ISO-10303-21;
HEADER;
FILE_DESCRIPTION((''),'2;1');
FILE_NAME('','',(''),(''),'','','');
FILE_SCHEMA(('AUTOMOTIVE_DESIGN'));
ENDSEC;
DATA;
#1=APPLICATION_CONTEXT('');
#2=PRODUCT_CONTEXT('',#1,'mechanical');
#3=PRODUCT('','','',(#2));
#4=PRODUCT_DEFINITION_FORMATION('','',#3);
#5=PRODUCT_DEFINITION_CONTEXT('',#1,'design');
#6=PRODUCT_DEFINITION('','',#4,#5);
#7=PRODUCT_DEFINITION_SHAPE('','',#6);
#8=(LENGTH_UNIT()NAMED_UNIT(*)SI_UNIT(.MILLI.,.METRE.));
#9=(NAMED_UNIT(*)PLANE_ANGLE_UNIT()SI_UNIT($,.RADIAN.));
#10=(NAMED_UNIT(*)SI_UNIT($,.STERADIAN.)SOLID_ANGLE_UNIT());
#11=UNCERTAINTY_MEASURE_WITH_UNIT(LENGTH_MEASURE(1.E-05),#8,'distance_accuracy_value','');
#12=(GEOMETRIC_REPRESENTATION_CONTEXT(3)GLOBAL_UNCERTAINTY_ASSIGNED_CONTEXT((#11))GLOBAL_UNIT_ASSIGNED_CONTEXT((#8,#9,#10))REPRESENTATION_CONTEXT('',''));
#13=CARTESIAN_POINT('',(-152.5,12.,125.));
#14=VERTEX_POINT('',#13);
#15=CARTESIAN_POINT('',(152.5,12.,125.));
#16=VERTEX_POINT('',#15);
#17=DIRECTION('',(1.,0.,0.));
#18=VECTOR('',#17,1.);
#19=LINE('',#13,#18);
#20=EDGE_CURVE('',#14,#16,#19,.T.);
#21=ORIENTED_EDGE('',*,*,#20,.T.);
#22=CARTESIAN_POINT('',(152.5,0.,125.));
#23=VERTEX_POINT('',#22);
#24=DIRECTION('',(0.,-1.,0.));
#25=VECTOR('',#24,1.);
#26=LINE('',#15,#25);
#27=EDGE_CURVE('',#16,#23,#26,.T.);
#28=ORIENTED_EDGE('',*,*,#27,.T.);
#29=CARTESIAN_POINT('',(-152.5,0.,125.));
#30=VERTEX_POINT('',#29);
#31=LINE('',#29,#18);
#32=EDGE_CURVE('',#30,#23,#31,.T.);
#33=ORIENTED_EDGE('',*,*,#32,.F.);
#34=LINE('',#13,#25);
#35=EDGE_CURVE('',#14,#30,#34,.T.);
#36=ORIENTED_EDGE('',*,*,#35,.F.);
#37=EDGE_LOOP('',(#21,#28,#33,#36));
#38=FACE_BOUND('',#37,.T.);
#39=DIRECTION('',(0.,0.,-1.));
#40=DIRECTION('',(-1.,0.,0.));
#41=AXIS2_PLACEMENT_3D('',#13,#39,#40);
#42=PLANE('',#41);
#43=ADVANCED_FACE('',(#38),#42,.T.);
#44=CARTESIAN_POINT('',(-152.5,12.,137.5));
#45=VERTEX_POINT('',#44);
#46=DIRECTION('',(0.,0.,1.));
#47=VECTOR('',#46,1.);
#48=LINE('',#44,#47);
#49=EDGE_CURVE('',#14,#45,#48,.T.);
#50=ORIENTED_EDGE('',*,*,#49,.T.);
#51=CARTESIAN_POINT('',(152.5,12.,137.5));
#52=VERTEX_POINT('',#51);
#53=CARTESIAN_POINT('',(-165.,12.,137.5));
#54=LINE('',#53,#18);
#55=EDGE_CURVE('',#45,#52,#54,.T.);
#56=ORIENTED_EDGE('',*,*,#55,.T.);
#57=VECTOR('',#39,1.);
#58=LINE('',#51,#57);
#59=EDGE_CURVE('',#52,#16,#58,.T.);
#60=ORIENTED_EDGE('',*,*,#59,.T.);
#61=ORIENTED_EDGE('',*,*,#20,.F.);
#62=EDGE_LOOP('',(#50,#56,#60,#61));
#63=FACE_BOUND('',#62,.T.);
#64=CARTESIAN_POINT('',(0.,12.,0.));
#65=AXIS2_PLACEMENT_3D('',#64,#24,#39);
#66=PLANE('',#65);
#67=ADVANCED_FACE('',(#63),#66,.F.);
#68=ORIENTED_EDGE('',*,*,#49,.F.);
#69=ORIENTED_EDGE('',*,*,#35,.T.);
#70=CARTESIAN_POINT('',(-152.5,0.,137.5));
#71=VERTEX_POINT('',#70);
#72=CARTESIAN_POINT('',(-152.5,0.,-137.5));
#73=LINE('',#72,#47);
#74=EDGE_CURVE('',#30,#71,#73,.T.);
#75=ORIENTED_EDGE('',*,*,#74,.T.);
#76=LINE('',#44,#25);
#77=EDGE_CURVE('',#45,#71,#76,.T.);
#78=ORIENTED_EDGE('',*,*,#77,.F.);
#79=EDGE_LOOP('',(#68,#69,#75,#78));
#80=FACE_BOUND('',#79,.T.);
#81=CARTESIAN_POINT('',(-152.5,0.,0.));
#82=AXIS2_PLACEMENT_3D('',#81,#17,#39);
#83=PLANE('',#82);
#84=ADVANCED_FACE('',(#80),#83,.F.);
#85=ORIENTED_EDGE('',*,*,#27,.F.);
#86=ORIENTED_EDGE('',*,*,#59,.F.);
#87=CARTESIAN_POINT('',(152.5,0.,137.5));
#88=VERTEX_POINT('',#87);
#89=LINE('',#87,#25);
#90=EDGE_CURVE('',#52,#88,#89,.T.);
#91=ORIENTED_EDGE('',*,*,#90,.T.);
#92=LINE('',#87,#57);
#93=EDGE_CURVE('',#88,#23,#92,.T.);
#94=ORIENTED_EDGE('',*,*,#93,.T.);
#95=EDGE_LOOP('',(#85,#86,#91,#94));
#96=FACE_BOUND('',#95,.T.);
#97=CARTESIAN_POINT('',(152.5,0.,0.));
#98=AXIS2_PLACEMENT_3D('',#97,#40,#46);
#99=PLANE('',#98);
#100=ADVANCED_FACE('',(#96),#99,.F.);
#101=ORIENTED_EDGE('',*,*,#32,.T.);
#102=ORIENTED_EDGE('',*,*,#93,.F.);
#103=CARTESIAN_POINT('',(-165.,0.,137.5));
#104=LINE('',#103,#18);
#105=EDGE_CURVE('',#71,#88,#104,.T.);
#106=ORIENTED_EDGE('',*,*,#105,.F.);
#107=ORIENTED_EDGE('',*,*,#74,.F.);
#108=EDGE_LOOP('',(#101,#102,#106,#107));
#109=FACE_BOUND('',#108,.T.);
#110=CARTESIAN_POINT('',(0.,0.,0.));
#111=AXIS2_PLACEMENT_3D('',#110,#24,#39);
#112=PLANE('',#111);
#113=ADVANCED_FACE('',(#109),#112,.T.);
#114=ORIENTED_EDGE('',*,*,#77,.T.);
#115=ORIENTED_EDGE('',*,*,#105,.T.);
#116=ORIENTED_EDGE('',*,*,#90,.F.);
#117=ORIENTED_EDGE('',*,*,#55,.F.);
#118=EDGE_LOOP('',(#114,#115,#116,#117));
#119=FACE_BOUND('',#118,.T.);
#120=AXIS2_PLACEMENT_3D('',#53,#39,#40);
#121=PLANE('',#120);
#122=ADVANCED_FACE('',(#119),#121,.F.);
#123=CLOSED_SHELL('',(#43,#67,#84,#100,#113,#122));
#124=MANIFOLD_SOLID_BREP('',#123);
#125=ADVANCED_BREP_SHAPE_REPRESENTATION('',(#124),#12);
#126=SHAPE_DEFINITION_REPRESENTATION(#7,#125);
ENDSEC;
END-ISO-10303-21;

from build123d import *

# Parameters (mm, degrees)
SKETCH1_W            = 330
SKETCH1_H            = 275
SKETCH1_W_2          = 305
SKETCH1_H_2          = 250
BOSS_EXTRUDE4_DEPTH  = 12
BOSS_EXTRUDE6_DEPTH  = 12.5
BOSS_EXTRUDE7_DEPTH  = 12.5
SKETCH6_R            = 15
SKETCH6_R_2          = 11
BOSS_EXTRUDE8_DEPTH  = 12.5
SKETCH7_R            = 11
CUT_EXTRUDE2_DEPTH   = 383.003996993
BOSS_EXTRUDE9_REACH  = 283.371
SKETCH8_W            = 12.5
SKETCH8_H            = 10
BOSS_EXTRUDE10_REACH = 283.371
SKETCH9_W            = 12.5
SKETCH9_H            = 10
SKETCH10_W           = 25
SKETCH10_H           = 25
BOSS_EXTRUDE11_DEPTH = 12.5
SKETCH13_W           = 298.504377872
SKETCH13_H           = 174.029548168
CUT_EXTRUDE4_DEPTH   = 12.5
SKETCH14_W           = 182.395956461
SKETCH14_H           = 93.31192128
CUT_EXTRUDE5_DEPTH   = 71.5
SKETCH15_W           = 335.295700941
SKETCH15_H           = 100.118716731
CUT_EXTRUDE6_DEPTH   = 12.5
SKETCH16_W           = 69.396880986
SKETCH16_H           = 36.294815257
CUT_EXTRUDE7_DEPTH   = 362.5


with BuildPart() as part:
    # Sketch1 → Boss-Extrude4 (new body)
    with BuildSketch(Plane(origin=(0, 0, 0), x_dir=(1, 0, 0), z_dir=(0, 1, 0))):
        Rectangle(SKETCH1_W, SKETCH1_H)
        Rectangle(SKETCH1_W_2, SKETCH1_H_2, mode=Mode.SUBTRACT)
    extrude(amount=BOSS_EXTRUDE4_DEPTH)

    # Sketch2 → Boss-Extrude6 (add)
    with BuildSketch(Plane(origin=(165, 0, 0), x_dir=(0, 0, -1), z_dir=(1, 0, 0))):
        Polygon((0, 152), (-137.5, 12), (-127.5, 12), (0, 141.818181818), (127.5, 12), (137.5, 12), align=None)
    extrude(amount=-BOSS_EXTRUDE6_DEPTH)

    # Sketch5 → Boss-Extrude7 (add)
    with BuildSketch(Plane.ZY.offset(165)):
        Polygon((0, 152), (-137.5, 12), (-127.5, 12), (0, 141.818181818), (127.5, 12), (137.5, 12), align=None)
    extrude(amount=-BOSS_EXTRUDE7_DEPTH)

    # Sketch6 → Boss-Extrude8 (add)
    with BuildSketch(Plane.ZY.offset(-152.5)):
        with Locations((0, 146.909090909)):
            Circle(SKETCH6_R)
        with Locations((0, 146.909090909)):
            Circle(SKETCH6_R_2, mode=Mode.SUBTRACT)
    extrude(amount=-BOSS_EXTRUDE8_DEPTH)

    # Sketch7 → Cut-Extrude2 (cut, through all)
    with BuildSketch(Plane.ZY.offset(-152.5)):
        with Locations((0, 146.909090909)):
            Circle(SKETCH7_R)
    extrude(amount=-CUT_EXTRUDE2_DEPTH, mode=Mode.SUBTRACT)

    # Boss-Extrude9: up to this plane
    boss_extrude9_end = Plane(origin=(0, 12, 0), z_dir=(0, -1, 0))
    # Sketch8 → Boss-Extrude9 (add, up to the surface)
    with BuildSketch(Plane(origin=(0, 69.631553319, 70.897581561), x_dir=(-1, 0, 0), z_dir=(0, -0.7007080148842544, -0.7134481606094221)), mode=Mode.PRIVATE) as boss_extrude9_sk1:
        with Locations((-158.75, 10.200513494)):
            Rectangle(SKETCH8_W, SKETCH8_H)
    boss_extrude9_tool1 = split(extrude(boss_extrude9_sk1.sketch, amount=BOSS_EXTRUDE9_REACH, mode=Mode.PRIVATE), bisect_by=boss_extrude9_end, keep=Keep.BOTH, mode=Mode.PRIVATE)
    add(boss_extrude9_tool1.solids().sort_by_distance((158.75, 76.909091, 63.75))[0])
    # Sketch8 → Boss-Extrude9 (add, up to the surface)
    with BuildSketch(Plane(origin=(0, 69.631553319, 70.897581561), x_dir=(-1, 0, 0), z_dir=(0, -0.7007080148842544, -0.7134481606094221)), mode=Mode.PRIVATE) as boss_extrude9_sk2:
        with Locations((158.75, 10.200513494)):
            Rectangle(SKETCH8_W, SKETCH8_H)
    boss_extrude9_tool2 = split(extrude(boss_extrude9_sk2.sketch, amount=BOSS_EXTRUDE9_REACH, mode=Mode.PRIVATE), bisect_by=boss_extrude9_end, keep=Keep.BOTH, mode=Mode.PRIVATE)
    add(boss_extrude9_tool2.solids().sort_by_distance((-158.75, 76.909091, 63.75))[0])

    # Boss-Extrude10: up to this plane
    boss_extrude10_end = Plane(origin=(0, 12, 0), z_dir=(0, -1, 0))
    # Sketch9 → Boss-Extrude10 (add, up to the surface)
    with BuildSketch(Plane(origin=(0, 69.631553319, -70.897581561), x_dir=(1, 0, 0), z_dir=(0, -0.7007080148842544, 0.7134481606094221)), mode=Mode.PRIVATE) as boss_extrude10_sk1:
        with Locations((-158.75, 10.200513494)):
            Rectangle(SKETCH9_W, SKETCH9_H)
    boss_extrude10_tool1 = split(extrude(boss_extrude10_sk1.sketch, amount=BOSS_EXTRUDE10_REACH, mode=Mode.PRIVATE), bisect_by=boss_extrude10_end, keep=Keep.BOTH, mode=Mode.PRIVATE)
    add(boss_extrude10_tool1.solids().sort_by_distance((-158.75, 76.909091, -63.75))[0])
    # Sketch9 → Boss-Extrude10 (add, up to the surface)
    with BuildSketch(Plane(origin=(0, 69.631553319, -70.897581561), x_dir=(1, 0, 0), z_dir=(0, -0.7007080148842544, 0.7134481606094221)), mode=Mode.PRIVATE) as boss_extrude10_sk2:
        with Locations((158.75, 10.200513494)):
            Rectangle(SKETCH9_W, SKETCH9_H)
    boss_extrude10_tool2 = split(extrude(boss_extrude10_sk2.sketch, amount=BOSS_EXTRUDE10_REACH, mode=Mode.PRIVATE), bisect_by=boss_extrude10_end, keep=Keep.BOTH, mode=Mode.PRIVATE)
    add(boss_extrude10_tool2.solids().sort_by_distance((158.75, 76.909091, -63.75))[0])

    # Sketch10 → Boss-Extrude11 (add)
    with BuildSketch(Plane(origin=(-152.5, 0, 0), x_dir=(0, 0, -1), z_dir=(1, 0, 0))):
        with Locations((0, 146.909090909)):
            Rectangle(SKETCH10_W, SKETCH10_H)
    extrude(amount=-BOSS_EXTRUDE11_DEPTH)

    # Sketch11 → Revolve1 (revolve)
    with BuildSketch(Plane.XY, mode=Mode.PRIVATE) as revolve1_sk:
        with BuildLine():
            Line((152.5, 157.909090909), (152.5, 161.909090909))
            ThreePointArc((152.5, 161.909090909), (149.508436085, 160.260408588), (146.516872171, 161.909090909))
            Line((146.516872171, 161.909090909), (146.516872171, 157.909090909))
            Line((146.516872171, 157.909090909), (152.5, 157.909090909))
        make_face()
    revolve(revolve1_sk.sketch.rotate(Axis((152.5, 146.909090909, 0), (-1, 0, 0)), 270), axis=Axis((152.5, 146.909090909, 0), (-1, 0, 0)))

    # Sketch13 → Cut-Extrude4 (cut)
    with BuildSketch(Plane.ZY.offset(165)):
        with Locations((11.752188936, 87.014774084)):
            Rectangle(SKETCH13_W, SKETCH13_H)
    extrude(amount=-CUT_EXTRUDE4_DEPTH, mode=Mode.SUBTRACT)

    # Sketch14 → Cut-Extrude5 (cut)
    with BuildSketch(Plane(origin=(165, 0, 0), x_dir=(0, 0, -1), z_dir=(1, 0, 0))):
        with Locations((23.675931825, 129.906240663)):
            Rectangle(SKETCH14_W, SKETCH14_H)
    extrude(amount=-CUT_EXTRUDE5_DEPTH, mode=Mode.SUBTRACT)

    # Sketch15 → Cut-Extrude6 (cut)
    with BuildSketch(Plane(origin=(165, 0, 0), x_dir=(0, 0, -1), z_dir=(1, 0, 0))):
        with Locations((30.147850471, 50.059358366)):
            Rectangle(SKETCH15_W, SKETCH15_H)
    extrude(amount=-CUT_EXTRUDE6_DEPTH, mode=Mode.SUBTRACT)


with BuildPart() as cut_extrude6_piece_1:
    # of the separate pieces the step leaves, piece 1, a body of its own (cut_extrude6_pieces)
    add(part.part.solids().sort_by_distance((-152.5, 0, 137.5))[0])


with BuildPart() as cut_extrude6_piece_2:
    # of the separate pieces the step leaves, piece 2, a body of its own (cut_extrude6_pieces)
    add(part.part.solids().sort_by_distance((152.5, 0, -125))[0])

    # Sketch16 → Cut-Extrude7 (cut)
    with BuildSketch(Plane(origin=(152.5, 0, 0), x_dir=(0, 0, -1), z_dir=(1, 0, 0))):
        with Locations((159.698440493, 18.147407629)):
            Rectangle(SKETCH16_W, SKETCH16_H)
    extrude(amount=-CUT_EXTRUDE7_DEPTH, mode=Mode.SUBTRACT)


solid = cut_extrude6_piece_1.part
